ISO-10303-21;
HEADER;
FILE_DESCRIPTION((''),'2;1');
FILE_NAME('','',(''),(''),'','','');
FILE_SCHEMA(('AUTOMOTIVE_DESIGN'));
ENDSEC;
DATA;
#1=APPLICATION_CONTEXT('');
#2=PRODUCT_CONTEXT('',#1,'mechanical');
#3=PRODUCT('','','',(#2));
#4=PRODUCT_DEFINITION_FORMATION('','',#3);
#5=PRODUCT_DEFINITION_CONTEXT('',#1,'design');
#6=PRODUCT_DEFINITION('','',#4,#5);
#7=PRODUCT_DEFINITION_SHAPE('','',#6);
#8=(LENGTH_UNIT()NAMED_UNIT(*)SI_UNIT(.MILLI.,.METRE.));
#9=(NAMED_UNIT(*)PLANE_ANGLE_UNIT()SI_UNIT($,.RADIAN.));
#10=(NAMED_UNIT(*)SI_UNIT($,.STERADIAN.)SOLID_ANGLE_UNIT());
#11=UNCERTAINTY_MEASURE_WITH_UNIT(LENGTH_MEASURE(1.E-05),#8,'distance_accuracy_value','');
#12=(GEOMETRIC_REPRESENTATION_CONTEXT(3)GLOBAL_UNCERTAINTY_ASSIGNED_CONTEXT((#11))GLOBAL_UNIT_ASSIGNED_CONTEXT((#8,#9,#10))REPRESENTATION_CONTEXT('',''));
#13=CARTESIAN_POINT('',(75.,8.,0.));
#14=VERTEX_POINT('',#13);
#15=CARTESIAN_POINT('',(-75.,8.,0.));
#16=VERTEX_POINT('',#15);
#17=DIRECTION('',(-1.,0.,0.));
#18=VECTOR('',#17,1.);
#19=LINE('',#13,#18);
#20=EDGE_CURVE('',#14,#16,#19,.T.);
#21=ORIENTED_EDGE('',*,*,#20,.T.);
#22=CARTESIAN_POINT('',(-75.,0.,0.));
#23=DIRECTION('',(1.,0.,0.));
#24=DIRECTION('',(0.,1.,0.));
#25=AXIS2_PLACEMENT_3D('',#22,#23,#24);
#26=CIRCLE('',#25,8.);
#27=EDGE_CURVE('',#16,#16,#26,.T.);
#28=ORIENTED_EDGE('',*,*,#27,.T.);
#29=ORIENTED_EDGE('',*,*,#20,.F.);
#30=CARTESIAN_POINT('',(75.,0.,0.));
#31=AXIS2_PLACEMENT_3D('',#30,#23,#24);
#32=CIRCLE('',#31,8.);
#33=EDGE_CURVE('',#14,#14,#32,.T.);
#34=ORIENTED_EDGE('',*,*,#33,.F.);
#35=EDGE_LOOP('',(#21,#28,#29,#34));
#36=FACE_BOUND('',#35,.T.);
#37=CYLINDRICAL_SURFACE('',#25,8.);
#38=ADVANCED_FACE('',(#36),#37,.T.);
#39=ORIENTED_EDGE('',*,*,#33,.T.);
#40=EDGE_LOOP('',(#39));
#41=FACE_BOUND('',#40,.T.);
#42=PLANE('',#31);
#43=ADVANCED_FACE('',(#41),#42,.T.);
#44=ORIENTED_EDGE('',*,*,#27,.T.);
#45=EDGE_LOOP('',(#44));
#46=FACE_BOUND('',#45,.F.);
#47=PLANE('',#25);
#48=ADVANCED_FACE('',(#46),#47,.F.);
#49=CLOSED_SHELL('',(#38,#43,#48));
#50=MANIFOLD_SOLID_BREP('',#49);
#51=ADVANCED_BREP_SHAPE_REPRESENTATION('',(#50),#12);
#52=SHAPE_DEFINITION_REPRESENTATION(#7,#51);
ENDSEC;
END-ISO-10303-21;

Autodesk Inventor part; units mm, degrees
ref_plane "YZ Plane" through (0, 0, 0) normal (1, 0, 0) x (0, 1, 0)
ref_plane "XZ Plane" through (0, 0, 0) normal (0, 1, 0) x (-1, 0, 0)
sketch "Эскиз1" plane through (0, 0, 0) normal (0, 0, 1) x (1, 0, 0)
  line L0 (75, 8) -> (75, 0)
  line L1 (-75, 0) -> (75, 0)
  line L2 (-105, 0) -> (105, 0) projected
  line L3 (0, 9.6) -> (0, -1.6) projected
  line L4 (-75, 8) -> (-75, 0)
  line L5 (0, 8) -> (0, 0) construction
  line L6 (-105, 0) -> (105, 0) projected
  line L7 (-75, 8) -> (75, 8)
  dimension "d13" = 16
  dimension "d87" = 150
  dimension "d88" = 75
revolve "Базовый элемент" add sketch "Эскиз1" angle 360 about axis through (-75, 0, 0) along (1, 0, 0)
thread "Резьба1" size "M16x1.5" class "6g" standard "ISO Metric profile" length 150
ref_plane "Work Plane1" through (2.75, 0, 0) normal (0, -1, 0) x (1, 0, 0)
equation "\"d13\" = NND"
equation "\"d87\" = NLG"
equation "\"d88\" = 0.5 * NLG"
equation "\"d1\" = GEL"
equation "\"NLG\" = 150"
equation "\"GEL\" = NLG"
equation "\"GAL\" = 0.61345 * PTC"
equation "\"SPD\" = 13.93"
equation "\"d0\" = NND"
equation "\"GUL\" = 0.61345 * PTC"
equation "\"NND\" = 16"
equation "\"GUL1\" = GUL"
equation "\"GAL1\" = GAL"
equation "\"d89\" = -GEL + GUL1"
equation "\"d90\" = -GUL - GEL"
equation "\"PTC\" = 1.5"
equation "\"THREADDIA\" = 16"
equation "\"TOA\" = 30deg"
equation "\"GD1\" = THREADDIA - 1.2269 * PTC"
properties part number "DIN 976-1 - M16 x 1,5 x 150 - A" material "Сталь, мягкая"
